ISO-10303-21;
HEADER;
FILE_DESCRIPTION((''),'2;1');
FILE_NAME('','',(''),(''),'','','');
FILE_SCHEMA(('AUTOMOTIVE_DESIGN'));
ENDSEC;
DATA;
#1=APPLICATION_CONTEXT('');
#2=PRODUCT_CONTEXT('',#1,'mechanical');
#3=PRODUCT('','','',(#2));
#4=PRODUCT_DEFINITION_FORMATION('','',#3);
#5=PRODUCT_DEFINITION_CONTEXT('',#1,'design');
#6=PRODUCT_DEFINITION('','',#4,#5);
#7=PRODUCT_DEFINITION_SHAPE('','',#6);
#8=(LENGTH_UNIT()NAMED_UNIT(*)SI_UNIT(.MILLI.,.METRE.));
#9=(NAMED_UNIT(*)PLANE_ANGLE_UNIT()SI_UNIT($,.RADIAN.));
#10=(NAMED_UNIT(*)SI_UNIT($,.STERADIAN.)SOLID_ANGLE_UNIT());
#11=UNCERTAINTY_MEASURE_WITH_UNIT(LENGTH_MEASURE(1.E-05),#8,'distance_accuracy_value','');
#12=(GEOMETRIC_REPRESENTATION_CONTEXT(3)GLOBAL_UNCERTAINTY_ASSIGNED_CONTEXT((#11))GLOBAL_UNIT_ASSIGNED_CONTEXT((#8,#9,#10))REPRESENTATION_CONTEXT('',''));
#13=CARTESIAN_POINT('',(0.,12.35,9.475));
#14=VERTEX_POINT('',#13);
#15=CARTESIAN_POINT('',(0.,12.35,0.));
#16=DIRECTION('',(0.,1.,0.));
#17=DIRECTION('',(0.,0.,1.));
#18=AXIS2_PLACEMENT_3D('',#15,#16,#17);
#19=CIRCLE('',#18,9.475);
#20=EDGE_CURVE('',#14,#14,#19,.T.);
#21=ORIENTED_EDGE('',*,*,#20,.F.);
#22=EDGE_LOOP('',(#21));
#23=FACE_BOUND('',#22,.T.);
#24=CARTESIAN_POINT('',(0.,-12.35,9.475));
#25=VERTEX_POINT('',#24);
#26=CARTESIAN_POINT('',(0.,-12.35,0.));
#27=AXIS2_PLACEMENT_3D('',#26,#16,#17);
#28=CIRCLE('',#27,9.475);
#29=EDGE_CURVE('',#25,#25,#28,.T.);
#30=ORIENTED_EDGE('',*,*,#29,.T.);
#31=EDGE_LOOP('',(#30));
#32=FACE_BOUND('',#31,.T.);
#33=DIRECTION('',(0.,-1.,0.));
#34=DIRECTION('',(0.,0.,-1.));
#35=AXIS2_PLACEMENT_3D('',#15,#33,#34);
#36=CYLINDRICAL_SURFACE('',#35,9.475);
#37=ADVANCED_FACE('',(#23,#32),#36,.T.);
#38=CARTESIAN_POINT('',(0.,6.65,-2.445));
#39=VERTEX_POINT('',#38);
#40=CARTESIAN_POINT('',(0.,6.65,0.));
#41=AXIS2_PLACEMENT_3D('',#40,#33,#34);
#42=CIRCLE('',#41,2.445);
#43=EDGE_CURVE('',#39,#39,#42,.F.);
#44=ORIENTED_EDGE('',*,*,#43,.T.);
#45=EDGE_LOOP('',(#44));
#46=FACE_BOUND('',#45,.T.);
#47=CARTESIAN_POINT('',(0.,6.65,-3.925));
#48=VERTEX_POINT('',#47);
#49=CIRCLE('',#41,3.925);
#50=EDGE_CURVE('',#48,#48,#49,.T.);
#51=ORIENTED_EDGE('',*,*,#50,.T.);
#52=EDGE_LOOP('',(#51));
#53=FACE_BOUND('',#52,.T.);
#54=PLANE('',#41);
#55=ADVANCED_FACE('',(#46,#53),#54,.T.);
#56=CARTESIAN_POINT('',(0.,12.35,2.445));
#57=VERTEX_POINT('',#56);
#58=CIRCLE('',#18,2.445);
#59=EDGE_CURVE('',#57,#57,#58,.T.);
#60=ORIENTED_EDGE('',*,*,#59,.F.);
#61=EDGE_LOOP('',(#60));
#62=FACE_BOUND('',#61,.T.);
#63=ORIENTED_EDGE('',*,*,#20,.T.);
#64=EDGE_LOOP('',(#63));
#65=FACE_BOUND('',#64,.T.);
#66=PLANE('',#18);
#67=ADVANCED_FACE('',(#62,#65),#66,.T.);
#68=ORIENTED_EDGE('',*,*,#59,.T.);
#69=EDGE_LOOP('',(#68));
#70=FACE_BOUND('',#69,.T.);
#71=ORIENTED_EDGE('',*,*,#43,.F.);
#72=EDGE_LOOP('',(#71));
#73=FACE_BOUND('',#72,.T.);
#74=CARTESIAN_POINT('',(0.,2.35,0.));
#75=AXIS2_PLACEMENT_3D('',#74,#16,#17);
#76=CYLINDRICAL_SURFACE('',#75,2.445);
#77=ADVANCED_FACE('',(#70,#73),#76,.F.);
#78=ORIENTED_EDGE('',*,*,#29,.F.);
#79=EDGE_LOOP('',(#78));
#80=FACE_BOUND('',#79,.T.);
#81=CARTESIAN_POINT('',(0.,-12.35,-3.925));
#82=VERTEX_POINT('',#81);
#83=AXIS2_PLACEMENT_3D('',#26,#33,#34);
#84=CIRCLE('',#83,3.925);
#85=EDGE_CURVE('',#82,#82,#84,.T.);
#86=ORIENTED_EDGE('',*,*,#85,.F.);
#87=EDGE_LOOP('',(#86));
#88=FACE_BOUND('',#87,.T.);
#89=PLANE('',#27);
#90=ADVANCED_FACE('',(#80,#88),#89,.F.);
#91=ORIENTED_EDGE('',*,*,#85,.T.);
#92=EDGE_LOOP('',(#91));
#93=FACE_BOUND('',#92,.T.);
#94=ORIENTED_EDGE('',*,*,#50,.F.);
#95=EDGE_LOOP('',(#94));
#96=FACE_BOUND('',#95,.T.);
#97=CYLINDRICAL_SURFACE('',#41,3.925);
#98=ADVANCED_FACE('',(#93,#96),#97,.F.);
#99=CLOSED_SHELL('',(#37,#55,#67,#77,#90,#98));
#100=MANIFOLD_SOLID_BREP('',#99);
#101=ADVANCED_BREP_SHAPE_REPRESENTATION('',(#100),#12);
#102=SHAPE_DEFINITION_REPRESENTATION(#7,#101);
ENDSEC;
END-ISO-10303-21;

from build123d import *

# Parameters (mm, degrees)
SKETCH1_R           = 9.475
BOSS_EXTRUDE1_DEPTH = 12.35
SKETCH2_R           = 2.445
CUT_EXTRUDE1_DEPTH  = 10
SKETCH3_R           = 3.925
CUT_EXTRUDE2_DEPTH  = 19


with BuildPart() as part:
    # Sketch1 → Boss-Extrude1 (new, symmetric)
    with BuildSketch(Plane(origin=(0, 0, 0), x_dir=(1, 0, 0), z_dir=(0, 1, 0))):
        with Locations(Location((0, 0, 0), (0, 0, 270))):
            Circle(SKETCH1_R)
    extrude(amount=BOSS_EXTRUDE1_DEPTH, both=True)

    # Sketch2 → Cut-Extrude1 (cut)
    with BuildSketch(Plane(origin=(0, 12.35, 0), x_dir=(1, 0, 0), z_dir=(0, 1, 0))):
        with Locations(Location((0, 0, 0), (0, 0, 270))):
            Circle(SKETCH2_R)
    extrude(amount=-CUT_EXTRUDE1_DEPTH, mode=Mode.SUBTRACT)

    # Sketch3 → Cut-Extrude2 (cut)
    with BuildSketch(Plane.XZ.offset(12.35)):
        with Locations(Location((0, 0, 0), (0, 0, 270))):
            Circle(SKETCH3_R)
    extrude(amount=-CUT_EXTRUDE2_DEPTH, mode=Mode.SUBTRACT)


solid = part.part
